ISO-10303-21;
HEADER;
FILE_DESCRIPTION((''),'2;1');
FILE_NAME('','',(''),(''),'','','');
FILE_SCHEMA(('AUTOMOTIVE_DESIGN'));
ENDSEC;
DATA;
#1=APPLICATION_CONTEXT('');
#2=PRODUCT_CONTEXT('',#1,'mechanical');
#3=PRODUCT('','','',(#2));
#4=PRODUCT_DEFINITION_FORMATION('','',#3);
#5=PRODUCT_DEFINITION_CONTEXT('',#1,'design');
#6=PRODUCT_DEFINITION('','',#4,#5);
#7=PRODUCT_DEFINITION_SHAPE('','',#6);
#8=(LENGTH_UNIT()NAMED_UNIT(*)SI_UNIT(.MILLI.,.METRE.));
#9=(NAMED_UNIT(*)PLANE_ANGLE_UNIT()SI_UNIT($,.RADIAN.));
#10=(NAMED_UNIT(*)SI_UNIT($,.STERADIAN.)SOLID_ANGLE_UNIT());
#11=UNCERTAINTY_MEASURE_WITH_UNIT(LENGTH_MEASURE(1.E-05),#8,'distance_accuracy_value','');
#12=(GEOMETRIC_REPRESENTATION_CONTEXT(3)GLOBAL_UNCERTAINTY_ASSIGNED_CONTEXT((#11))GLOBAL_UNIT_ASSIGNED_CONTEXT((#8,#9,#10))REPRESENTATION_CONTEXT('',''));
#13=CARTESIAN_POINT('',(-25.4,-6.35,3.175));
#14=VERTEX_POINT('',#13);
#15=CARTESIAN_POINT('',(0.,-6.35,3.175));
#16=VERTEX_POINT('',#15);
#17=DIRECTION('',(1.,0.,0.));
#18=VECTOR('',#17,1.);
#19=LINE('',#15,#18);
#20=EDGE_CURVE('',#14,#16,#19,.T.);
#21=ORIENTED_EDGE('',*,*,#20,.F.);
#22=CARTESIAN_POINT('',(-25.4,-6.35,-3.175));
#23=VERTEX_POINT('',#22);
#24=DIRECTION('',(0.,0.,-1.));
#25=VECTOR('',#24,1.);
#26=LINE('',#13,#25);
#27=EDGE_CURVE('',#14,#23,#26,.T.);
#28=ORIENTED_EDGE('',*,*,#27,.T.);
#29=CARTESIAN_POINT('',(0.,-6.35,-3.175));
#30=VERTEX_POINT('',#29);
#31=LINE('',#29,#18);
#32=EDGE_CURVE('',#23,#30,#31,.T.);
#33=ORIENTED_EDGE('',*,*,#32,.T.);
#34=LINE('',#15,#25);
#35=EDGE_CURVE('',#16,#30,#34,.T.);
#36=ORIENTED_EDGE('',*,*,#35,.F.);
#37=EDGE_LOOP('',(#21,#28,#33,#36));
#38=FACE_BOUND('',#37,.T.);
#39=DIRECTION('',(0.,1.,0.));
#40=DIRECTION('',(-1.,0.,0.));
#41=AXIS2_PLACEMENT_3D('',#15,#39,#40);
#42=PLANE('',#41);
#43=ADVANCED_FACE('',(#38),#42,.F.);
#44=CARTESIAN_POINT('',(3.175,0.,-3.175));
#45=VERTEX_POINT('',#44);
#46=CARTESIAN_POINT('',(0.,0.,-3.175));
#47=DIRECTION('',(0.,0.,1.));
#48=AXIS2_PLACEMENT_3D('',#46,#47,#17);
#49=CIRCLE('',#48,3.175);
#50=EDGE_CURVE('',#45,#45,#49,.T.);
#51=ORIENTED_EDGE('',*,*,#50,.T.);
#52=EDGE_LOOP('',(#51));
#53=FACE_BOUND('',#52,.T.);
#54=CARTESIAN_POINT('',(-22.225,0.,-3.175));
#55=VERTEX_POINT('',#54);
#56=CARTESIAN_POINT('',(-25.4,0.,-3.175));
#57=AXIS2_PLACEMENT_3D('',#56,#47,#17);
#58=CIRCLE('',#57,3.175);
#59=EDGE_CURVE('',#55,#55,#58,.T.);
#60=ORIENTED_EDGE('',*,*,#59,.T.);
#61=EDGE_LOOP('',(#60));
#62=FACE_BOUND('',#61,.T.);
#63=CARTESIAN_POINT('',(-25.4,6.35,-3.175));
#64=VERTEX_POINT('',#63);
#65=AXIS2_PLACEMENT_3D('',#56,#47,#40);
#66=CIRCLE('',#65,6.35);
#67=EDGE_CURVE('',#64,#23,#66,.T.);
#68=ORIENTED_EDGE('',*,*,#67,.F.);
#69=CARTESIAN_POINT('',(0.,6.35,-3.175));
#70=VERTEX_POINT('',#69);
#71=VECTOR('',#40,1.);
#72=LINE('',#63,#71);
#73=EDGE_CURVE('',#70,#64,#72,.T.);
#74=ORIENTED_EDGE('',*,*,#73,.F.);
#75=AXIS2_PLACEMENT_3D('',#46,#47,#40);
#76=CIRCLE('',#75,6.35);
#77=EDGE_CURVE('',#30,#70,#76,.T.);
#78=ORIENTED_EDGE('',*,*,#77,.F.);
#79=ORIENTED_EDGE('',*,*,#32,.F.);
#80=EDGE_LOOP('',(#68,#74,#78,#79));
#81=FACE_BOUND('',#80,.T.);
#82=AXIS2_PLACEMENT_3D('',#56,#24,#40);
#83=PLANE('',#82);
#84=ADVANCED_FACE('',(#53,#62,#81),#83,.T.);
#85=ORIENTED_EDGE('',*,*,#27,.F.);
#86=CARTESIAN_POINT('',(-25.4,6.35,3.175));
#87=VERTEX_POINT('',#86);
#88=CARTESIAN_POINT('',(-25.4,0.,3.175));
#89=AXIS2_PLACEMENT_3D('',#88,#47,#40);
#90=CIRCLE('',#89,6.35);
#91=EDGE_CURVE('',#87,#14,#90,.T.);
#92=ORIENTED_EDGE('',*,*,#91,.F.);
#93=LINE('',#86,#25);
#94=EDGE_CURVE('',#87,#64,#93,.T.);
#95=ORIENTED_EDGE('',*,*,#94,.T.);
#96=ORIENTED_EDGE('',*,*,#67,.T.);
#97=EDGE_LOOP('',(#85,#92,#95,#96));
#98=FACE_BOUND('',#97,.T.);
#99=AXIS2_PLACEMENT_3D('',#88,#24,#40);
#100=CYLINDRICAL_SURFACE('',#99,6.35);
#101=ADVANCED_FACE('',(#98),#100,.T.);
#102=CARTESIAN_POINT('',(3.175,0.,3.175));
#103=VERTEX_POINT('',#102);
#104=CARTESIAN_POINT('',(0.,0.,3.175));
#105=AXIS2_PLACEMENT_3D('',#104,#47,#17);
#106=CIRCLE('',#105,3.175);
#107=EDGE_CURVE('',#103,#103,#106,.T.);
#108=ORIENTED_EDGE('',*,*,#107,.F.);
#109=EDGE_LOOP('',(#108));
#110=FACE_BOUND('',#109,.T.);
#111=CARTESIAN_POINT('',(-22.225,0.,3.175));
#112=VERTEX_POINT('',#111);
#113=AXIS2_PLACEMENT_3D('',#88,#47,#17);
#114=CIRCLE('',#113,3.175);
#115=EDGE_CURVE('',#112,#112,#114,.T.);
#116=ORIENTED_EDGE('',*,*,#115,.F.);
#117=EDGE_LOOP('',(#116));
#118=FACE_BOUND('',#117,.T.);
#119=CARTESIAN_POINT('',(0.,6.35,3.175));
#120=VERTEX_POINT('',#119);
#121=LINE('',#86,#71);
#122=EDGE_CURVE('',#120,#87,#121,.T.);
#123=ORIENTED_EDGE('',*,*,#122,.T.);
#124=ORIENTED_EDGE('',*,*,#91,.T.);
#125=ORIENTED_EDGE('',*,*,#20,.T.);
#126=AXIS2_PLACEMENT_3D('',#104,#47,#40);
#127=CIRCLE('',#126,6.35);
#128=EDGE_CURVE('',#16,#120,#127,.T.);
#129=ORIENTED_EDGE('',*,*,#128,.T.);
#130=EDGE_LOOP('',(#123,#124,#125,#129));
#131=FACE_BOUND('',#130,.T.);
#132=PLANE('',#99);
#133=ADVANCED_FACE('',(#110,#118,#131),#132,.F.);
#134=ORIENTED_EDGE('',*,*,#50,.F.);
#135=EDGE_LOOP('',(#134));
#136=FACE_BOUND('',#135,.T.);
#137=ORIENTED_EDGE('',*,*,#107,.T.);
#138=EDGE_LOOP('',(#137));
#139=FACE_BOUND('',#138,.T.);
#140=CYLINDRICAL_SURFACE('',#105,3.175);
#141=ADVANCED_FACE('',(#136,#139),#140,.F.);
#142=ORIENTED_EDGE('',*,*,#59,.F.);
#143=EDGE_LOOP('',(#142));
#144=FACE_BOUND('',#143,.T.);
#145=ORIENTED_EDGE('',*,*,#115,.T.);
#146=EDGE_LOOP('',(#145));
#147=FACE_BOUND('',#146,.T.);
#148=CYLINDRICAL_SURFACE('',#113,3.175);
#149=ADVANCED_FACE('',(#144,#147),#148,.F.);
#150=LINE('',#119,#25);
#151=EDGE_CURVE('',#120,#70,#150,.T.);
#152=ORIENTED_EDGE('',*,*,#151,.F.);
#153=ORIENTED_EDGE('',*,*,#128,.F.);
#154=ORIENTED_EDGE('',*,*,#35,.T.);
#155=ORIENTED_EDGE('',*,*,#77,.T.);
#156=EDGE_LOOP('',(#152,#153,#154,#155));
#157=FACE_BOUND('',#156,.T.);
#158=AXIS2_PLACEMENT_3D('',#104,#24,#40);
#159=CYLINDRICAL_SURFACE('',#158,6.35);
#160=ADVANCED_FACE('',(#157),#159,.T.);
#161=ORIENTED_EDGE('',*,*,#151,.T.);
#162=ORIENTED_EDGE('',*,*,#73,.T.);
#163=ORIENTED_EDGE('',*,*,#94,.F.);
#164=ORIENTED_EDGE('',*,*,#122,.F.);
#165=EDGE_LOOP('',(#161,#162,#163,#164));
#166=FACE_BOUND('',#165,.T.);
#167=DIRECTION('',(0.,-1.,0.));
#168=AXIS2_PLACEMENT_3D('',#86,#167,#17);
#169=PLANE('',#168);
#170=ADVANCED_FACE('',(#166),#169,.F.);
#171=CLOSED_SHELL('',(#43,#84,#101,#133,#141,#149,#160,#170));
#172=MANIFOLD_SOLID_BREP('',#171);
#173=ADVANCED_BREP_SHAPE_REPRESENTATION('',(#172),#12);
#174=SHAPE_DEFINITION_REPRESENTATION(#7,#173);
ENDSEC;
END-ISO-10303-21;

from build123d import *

# Parameters (mm, degrees)
BASE_EXTRUDE_DEPTH              = 3.175
F_1_4_0_250000_DIAMETER_HOLE1_D = 6.35


with BuildPart() as part:
    # profile → Base-Extrude (new body, symmetric)
    with BuildSketch(Plane.XY):
        with BuildLine():
            Line((-25.4, 6.35), (0, 6.35))
            ThreePointArc((0, 6.35), (6.35, 0), (0, -6.35))
            Line((0, -6.35), (-25.4, -6.35))
            ThreePointArc((-25.4, -6.35), (-31.75, 0), (-25.4, 6.35))
        make_face()
    extrude(amount=BASE_EXTRUDE_DEPTH, both=True)

    # 1/4 (0.250000) Diameter Hole1 (through all)
    with Locations(Plane.XY.offset(3.175)):
        with Locations((-25.4, 0), (0, 0)):
            Hole(F_1_4_0_250000_DIAMETER_HOLE1_D / 2)


solid = part.part
